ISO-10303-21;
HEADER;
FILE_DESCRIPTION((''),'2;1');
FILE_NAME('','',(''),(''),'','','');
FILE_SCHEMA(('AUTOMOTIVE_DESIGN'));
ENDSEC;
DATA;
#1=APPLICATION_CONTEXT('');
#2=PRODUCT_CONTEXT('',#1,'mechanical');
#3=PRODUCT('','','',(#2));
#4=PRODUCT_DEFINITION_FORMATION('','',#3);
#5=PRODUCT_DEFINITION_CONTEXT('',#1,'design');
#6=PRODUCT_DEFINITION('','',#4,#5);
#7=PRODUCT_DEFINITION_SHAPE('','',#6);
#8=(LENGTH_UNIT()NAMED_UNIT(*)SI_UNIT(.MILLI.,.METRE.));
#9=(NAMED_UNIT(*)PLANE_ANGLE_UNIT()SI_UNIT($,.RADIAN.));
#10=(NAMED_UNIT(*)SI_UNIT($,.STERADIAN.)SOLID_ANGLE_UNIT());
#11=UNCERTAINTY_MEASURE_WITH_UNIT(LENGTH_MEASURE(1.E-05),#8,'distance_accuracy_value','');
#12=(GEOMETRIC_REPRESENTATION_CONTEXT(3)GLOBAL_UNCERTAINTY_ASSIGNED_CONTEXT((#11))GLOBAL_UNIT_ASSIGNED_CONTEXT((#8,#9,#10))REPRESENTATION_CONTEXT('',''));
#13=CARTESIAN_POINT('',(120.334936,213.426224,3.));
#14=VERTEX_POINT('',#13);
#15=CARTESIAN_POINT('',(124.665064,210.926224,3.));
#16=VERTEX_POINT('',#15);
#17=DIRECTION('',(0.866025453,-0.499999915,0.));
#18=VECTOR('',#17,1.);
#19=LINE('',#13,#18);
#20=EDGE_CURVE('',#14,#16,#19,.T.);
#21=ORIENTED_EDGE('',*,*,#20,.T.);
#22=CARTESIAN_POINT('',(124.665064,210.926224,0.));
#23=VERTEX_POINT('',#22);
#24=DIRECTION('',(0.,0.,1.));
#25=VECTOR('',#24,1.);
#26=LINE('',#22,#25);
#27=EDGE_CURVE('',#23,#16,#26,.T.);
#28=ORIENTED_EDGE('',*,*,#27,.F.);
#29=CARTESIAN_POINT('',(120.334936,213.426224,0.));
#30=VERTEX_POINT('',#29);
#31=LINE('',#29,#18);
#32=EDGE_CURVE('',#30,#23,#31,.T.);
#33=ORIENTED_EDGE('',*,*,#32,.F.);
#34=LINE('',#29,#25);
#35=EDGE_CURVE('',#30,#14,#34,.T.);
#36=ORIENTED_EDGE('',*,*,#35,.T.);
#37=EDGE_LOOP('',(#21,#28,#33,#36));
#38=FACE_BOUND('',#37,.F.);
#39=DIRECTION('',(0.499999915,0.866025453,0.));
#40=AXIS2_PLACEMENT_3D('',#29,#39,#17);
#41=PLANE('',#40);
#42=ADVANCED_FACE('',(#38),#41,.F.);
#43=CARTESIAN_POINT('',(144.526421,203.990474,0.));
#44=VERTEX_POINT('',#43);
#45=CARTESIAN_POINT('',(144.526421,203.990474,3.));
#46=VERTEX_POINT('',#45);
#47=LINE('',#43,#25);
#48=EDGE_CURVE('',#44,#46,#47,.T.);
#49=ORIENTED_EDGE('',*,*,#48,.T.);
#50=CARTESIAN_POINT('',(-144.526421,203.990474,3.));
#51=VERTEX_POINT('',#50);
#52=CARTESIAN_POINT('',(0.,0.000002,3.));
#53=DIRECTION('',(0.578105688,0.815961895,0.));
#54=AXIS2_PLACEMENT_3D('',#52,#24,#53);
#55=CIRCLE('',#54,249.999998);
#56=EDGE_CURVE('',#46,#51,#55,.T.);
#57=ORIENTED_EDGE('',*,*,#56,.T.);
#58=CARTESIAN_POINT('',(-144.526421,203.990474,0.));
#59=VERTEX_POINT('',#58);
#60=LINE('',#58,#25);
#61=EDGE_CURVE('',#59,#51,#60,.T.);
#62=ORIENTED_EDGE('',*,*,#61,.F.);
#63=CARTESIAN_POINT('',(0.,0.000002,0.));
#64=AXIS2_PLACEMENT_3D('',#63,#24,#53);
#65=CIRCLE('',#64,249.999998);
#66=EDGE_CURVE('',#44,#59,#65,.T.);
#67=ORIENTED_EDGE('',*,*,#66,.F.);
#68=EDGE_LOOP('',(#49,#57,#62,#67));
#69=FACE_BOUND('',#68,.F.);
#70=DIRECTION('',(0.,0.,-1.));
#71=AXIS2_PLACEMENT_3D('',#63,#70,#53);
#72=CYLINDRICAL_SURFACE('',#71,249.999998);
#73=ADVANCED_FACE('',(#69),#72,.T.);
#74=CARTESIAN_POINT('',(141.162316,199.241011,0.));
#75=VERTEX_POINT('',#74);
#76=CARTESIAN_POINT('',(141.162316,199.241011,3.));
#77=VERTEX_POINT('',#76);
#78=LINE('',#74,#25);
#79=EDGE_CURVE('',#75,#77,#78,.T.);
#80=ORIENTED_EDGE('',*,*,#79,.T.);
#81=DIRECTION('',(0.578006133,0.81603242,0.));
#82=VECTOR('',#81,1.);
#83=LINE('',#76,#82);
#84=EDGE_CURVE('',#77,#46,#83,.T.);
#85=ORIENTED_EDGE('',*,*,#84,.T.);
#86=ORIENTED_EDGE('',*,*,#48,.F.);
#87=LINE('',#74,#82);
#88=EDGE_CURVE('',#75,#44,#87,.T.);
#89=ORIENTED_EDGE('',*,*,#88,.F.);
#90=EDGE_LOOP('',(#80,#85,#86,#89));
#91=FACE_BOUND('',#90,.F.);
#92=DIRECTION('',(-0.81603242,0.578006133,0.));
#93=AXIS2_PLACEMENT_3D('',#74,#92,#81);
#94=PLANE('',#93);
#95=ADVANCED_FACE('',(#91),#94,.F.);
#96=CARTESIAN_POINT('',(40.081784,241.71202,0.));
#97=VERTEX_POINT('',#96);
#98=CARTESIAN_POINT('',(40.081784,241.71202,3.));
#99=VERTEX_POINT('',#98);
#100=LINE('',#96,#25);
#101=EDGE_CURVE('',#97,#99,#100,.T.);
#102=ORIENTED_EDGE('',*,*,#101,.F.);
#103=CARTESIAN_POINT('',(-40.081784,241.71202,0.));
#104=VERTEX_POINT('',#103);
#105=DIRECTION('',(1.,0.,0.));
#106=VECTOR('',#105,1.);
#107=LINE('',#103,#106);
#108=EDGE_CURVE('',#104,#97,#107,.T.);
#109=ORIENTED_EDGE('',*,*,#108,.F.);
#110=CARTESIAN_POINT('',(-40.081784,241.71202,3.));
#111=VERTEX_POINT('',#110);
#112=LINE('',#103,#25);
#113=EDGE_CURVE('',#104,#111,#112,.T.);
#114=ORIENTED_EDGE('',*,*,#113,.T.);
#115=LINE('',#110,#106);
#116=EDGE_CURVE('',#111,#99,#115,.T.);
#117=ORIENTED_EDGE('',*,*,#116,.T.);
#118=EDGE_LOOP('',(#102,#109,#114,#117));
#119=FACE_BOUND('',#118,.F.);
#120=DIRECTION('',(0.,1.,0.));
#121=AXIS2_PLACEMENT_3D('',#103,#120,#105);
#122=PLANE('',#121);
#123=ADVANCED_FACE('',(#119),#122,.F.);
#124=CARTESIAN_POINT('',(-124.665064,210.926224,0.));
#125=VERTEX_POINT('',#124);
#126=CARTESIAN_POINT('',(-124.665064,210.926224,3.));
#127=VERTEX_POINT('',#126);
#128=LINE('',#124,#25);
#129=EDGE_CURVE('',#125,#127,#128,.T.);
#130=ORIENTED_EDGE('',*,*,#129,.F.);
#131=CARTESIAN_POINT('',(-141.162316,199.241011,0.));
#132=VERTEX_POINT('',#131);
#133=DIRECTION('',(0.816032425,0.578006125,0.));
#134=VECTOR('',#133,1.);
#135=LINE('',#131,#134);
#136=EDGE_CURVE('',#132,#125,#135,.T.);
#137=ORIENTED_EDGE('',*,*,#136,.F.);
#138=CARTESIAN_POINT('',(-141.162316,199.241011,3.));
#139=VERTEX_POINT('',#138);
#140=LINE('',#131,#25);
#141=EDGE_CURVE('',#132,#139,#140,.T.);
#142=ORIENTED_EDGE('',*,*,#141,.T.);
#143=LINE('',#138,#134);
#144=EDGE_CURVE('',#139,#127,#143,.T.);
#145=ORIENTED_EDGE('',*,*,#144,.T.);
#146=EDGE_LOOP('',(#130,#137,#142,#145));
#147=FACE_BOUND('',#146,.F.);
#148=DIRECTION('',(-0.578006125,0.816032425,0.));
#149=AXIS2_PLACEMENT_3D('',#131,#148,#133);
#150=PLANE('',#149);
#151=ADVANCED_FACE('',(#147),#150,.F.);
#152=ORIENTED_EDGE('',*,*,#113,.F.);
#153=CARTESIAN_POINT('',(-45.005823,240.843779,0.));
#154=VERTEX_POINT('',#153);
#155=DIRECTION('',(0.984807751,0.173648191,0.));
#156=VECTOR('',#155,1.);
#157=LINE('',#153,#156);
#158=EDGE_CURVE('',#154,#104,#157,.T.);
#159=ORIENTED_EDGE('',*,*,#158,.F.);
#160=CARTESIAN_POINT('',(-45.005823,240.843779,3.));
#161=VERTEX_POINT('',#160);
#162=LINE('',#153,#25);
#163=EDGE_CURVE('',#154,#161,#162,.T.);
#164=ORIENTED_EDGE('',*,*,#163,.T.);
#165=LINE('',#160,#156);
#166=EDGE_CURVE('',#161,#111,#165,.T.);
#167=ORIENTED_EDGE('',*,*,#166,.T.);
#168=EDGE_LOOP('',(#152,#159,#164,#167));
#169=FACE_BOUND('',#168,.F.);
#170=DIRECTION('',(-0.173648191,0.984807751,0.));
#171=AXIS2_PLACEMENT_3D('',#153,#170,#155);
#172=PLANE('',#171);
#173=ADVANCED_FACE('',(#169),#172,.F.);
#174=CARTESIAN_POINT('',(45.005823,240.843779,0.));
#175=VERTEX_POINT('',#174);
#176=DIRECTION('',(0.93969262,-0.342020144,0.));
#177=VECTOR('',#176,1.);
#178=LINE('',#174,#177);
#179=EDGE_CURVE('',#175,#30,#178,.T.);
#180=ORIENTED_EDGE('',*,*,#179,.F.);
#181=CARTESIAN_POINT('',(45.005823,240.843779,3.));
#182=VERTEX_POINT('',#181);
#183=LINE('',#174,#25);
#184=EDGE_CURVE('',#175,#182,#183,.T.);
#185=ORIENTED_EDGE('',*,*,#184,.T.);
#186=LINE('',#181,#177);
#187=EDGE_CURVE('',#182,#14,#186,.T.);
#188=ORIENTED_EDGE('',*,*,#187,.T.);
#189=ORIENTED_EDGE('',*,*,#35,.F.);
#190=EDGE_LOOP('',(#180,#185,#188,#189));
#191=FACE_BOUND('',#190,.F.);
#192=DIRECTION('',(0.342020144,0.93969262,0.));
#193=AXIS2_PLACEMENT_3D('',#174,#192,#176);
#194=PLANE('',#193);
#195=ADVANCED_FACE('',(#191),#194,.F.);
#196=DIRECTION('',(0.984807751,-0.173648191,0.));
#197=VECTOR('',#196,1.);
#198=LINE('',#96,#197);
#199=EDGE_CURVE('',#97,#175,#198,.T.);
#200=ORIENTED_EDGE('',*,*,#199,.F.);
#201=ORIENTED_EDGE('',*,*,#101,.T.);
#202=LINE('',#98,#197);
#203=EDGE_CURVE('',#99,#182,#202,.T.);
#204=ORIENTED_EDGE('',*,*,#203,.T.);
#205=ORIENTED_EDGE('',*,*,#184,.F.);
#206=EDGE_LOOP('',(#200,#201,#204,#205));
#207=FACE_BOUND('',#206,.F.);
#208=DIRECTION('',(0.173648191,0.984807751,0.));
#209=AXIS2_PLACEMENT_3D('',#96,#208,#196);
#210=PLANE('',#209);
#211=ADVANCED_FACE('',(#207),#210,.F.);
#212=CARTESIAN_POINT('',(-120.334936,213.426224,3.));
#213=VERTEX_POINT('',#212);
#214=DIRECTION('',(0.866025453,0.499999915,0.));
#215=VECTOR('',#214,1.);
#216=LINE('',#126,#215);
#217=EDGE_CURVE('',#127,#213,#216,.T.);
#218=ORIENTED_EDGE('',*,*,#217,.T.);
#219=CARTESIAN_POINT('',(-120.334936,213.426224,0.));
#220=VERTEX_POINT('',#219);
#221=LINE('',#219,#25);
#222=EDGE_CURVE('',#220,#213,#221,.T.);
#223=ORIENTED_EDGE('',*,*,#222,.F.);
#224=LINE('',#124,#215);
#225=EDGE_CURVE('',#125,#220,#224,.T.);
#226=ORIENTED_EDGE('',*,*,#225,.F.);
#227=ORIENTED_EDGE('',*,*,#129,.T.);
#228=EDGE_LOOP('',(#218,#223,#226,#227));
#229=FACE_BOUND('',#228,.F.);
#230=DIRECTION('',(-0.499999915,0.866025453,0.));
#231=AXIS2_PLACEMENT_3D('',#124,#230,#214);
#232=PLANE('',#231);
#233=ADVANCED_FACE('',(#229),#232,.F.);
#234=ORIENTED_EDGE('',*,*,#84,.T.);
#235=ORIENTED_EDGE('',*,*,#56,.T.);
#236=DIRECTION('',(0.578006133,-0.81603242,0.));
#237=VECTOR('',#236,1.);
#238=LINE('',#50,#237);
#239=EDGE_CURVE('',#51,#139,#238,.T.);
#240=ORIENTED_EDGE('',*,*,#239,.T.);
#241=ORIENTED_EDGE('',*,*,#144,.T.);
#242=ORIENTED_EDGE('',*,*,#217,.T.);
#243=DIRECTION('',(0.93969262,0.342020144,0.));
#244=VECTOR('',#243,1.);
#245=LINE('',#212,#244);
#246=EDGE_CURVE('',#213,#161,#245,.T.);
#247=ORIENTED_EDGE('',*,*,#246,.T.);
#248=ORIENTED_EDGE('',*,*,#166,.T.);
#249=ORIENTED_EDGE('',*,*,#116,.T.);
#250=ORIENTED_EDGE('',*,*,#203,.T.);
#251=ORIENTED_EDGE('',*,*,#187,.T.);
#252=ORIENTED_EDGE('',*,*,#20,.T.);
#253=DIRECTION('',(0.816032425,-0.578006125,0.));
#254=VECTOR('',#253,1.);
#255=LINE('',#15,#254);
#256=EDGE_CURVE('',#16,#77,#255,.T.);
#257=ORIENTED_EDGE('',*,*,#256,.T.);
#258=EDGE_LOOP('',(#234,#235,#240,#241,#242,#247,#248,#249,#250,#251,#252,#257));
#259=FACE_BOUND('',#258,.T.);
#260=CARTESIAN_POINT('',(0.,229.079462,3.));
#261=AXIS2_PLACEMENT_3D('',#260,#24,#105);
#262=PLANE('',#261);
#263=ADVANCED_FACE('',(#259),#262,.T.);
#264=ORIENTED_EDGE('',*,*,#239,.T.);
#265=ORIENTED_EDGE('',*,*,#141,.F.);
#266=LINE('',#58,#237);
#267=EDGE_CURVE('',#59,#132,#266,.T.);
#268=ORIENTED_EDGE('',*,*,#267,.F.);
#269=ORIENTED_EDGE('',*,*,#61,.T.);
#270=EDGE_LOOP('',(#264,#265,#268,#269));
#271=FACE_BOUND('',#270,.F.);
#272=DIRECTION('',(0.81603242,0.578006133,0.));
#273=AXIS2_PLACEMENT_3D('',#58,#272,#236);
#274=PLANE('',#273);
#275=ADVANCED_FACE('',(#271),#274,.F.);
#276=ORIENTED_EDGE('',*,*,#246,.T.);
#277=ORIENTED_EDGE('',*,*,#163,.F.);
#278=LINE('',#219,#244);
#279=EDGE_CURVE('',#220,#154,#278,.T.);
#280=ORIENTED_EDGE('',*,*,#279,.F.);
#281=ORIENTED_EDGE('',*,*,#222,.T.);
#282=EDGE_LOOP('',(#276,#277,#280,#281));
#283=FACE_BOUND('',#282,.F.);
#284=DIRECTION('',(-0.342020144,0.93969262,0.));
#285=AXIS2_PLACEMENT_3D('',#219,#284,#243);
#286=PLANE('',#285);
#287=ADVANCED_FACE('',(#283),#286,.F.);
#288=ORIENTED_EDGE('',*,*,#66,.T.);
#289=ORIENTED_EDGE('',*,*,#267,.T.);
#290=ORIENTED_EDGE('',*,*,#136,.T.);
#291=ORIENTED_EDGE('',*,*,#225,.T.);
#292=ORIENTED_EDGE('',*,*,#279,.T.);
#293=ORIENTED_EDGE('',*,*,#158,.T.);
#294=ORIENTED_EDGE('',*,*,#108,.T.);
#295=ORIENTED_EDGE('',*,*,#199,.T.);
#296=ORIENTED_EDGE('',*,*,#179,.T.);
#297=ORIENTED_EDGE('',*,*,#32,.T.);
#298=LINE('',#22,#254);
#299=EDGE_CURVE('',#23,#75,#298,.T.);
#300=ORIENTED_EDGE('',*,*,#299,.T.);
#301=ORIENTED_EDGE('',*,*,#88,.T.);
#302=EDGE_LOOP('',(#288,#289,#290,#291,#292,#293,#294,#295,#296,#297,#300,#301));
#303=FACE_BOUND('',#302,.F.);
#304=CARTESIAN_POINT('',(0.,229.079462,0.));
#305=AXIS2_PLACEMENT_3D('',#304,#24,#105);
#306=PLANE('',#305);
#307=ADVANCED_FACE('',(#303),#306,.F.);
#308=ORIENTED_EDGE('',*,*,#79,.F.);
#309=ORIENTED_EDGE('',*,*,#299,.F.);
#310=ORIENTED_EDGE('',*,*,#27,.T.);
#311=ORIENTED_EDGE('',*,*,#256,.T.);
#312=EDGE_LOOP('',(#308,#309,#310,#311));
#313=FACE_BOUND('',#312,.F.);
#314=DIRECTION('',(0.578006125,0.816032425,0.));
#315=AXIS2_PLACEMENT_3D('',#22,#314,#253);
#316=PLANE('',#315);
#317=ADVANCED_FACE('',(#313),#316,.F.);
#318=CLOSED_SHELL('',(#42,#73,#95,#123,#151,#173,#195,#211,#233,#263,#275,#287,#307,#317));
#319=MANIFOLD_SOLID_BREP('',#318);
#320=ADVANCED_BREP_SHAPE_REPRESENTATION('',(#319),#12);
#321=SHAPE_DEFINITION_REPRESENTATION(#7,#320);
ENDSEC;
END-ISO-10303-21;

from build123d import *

# Parameters (mm, degrees)
F1_DEPTH = 3


with BuildPart() as f1:
    # F0 (on Top) → F1 (new body)
    with BuildSketch(Plane.XY):
        with BuildLine():
            Line((-144.526421, 203.990474), (-141.162316, 199.241011))
            Line((-141.162316, 199.241011), (-124.665064, 210.926224))
            Line((-124.665064, 210.926224), (-120.334936, 213.426224))
            Line((-120.334936, 213.426224), (-45.005823, 240.843779))
            Line((-45.005823, 240.843779), (-40.081784, 241.71202))
            Line((-40.081784, 241.71202), (40.081784, 241.71202))
            Line((40.081784, 241.71202), (45.005823, 240.843779))
            Line((45.005823, 240.843779), (120.334936, 213.426224))
            Line((120.334936, 213.426224), (124.665064, 210.926224))
            Line((124.665064, 210.926224), (141.162316, 199.241011))
            Line((141.162316, 199.241011), (144.526421, 203.990474))
            ThreePointArc((144.526421, 203.990474), (0, 250), (-144.526421, 203.990474))
        make_face()
    extrude(amount=F1_DEPTH)


solid = f1.part
